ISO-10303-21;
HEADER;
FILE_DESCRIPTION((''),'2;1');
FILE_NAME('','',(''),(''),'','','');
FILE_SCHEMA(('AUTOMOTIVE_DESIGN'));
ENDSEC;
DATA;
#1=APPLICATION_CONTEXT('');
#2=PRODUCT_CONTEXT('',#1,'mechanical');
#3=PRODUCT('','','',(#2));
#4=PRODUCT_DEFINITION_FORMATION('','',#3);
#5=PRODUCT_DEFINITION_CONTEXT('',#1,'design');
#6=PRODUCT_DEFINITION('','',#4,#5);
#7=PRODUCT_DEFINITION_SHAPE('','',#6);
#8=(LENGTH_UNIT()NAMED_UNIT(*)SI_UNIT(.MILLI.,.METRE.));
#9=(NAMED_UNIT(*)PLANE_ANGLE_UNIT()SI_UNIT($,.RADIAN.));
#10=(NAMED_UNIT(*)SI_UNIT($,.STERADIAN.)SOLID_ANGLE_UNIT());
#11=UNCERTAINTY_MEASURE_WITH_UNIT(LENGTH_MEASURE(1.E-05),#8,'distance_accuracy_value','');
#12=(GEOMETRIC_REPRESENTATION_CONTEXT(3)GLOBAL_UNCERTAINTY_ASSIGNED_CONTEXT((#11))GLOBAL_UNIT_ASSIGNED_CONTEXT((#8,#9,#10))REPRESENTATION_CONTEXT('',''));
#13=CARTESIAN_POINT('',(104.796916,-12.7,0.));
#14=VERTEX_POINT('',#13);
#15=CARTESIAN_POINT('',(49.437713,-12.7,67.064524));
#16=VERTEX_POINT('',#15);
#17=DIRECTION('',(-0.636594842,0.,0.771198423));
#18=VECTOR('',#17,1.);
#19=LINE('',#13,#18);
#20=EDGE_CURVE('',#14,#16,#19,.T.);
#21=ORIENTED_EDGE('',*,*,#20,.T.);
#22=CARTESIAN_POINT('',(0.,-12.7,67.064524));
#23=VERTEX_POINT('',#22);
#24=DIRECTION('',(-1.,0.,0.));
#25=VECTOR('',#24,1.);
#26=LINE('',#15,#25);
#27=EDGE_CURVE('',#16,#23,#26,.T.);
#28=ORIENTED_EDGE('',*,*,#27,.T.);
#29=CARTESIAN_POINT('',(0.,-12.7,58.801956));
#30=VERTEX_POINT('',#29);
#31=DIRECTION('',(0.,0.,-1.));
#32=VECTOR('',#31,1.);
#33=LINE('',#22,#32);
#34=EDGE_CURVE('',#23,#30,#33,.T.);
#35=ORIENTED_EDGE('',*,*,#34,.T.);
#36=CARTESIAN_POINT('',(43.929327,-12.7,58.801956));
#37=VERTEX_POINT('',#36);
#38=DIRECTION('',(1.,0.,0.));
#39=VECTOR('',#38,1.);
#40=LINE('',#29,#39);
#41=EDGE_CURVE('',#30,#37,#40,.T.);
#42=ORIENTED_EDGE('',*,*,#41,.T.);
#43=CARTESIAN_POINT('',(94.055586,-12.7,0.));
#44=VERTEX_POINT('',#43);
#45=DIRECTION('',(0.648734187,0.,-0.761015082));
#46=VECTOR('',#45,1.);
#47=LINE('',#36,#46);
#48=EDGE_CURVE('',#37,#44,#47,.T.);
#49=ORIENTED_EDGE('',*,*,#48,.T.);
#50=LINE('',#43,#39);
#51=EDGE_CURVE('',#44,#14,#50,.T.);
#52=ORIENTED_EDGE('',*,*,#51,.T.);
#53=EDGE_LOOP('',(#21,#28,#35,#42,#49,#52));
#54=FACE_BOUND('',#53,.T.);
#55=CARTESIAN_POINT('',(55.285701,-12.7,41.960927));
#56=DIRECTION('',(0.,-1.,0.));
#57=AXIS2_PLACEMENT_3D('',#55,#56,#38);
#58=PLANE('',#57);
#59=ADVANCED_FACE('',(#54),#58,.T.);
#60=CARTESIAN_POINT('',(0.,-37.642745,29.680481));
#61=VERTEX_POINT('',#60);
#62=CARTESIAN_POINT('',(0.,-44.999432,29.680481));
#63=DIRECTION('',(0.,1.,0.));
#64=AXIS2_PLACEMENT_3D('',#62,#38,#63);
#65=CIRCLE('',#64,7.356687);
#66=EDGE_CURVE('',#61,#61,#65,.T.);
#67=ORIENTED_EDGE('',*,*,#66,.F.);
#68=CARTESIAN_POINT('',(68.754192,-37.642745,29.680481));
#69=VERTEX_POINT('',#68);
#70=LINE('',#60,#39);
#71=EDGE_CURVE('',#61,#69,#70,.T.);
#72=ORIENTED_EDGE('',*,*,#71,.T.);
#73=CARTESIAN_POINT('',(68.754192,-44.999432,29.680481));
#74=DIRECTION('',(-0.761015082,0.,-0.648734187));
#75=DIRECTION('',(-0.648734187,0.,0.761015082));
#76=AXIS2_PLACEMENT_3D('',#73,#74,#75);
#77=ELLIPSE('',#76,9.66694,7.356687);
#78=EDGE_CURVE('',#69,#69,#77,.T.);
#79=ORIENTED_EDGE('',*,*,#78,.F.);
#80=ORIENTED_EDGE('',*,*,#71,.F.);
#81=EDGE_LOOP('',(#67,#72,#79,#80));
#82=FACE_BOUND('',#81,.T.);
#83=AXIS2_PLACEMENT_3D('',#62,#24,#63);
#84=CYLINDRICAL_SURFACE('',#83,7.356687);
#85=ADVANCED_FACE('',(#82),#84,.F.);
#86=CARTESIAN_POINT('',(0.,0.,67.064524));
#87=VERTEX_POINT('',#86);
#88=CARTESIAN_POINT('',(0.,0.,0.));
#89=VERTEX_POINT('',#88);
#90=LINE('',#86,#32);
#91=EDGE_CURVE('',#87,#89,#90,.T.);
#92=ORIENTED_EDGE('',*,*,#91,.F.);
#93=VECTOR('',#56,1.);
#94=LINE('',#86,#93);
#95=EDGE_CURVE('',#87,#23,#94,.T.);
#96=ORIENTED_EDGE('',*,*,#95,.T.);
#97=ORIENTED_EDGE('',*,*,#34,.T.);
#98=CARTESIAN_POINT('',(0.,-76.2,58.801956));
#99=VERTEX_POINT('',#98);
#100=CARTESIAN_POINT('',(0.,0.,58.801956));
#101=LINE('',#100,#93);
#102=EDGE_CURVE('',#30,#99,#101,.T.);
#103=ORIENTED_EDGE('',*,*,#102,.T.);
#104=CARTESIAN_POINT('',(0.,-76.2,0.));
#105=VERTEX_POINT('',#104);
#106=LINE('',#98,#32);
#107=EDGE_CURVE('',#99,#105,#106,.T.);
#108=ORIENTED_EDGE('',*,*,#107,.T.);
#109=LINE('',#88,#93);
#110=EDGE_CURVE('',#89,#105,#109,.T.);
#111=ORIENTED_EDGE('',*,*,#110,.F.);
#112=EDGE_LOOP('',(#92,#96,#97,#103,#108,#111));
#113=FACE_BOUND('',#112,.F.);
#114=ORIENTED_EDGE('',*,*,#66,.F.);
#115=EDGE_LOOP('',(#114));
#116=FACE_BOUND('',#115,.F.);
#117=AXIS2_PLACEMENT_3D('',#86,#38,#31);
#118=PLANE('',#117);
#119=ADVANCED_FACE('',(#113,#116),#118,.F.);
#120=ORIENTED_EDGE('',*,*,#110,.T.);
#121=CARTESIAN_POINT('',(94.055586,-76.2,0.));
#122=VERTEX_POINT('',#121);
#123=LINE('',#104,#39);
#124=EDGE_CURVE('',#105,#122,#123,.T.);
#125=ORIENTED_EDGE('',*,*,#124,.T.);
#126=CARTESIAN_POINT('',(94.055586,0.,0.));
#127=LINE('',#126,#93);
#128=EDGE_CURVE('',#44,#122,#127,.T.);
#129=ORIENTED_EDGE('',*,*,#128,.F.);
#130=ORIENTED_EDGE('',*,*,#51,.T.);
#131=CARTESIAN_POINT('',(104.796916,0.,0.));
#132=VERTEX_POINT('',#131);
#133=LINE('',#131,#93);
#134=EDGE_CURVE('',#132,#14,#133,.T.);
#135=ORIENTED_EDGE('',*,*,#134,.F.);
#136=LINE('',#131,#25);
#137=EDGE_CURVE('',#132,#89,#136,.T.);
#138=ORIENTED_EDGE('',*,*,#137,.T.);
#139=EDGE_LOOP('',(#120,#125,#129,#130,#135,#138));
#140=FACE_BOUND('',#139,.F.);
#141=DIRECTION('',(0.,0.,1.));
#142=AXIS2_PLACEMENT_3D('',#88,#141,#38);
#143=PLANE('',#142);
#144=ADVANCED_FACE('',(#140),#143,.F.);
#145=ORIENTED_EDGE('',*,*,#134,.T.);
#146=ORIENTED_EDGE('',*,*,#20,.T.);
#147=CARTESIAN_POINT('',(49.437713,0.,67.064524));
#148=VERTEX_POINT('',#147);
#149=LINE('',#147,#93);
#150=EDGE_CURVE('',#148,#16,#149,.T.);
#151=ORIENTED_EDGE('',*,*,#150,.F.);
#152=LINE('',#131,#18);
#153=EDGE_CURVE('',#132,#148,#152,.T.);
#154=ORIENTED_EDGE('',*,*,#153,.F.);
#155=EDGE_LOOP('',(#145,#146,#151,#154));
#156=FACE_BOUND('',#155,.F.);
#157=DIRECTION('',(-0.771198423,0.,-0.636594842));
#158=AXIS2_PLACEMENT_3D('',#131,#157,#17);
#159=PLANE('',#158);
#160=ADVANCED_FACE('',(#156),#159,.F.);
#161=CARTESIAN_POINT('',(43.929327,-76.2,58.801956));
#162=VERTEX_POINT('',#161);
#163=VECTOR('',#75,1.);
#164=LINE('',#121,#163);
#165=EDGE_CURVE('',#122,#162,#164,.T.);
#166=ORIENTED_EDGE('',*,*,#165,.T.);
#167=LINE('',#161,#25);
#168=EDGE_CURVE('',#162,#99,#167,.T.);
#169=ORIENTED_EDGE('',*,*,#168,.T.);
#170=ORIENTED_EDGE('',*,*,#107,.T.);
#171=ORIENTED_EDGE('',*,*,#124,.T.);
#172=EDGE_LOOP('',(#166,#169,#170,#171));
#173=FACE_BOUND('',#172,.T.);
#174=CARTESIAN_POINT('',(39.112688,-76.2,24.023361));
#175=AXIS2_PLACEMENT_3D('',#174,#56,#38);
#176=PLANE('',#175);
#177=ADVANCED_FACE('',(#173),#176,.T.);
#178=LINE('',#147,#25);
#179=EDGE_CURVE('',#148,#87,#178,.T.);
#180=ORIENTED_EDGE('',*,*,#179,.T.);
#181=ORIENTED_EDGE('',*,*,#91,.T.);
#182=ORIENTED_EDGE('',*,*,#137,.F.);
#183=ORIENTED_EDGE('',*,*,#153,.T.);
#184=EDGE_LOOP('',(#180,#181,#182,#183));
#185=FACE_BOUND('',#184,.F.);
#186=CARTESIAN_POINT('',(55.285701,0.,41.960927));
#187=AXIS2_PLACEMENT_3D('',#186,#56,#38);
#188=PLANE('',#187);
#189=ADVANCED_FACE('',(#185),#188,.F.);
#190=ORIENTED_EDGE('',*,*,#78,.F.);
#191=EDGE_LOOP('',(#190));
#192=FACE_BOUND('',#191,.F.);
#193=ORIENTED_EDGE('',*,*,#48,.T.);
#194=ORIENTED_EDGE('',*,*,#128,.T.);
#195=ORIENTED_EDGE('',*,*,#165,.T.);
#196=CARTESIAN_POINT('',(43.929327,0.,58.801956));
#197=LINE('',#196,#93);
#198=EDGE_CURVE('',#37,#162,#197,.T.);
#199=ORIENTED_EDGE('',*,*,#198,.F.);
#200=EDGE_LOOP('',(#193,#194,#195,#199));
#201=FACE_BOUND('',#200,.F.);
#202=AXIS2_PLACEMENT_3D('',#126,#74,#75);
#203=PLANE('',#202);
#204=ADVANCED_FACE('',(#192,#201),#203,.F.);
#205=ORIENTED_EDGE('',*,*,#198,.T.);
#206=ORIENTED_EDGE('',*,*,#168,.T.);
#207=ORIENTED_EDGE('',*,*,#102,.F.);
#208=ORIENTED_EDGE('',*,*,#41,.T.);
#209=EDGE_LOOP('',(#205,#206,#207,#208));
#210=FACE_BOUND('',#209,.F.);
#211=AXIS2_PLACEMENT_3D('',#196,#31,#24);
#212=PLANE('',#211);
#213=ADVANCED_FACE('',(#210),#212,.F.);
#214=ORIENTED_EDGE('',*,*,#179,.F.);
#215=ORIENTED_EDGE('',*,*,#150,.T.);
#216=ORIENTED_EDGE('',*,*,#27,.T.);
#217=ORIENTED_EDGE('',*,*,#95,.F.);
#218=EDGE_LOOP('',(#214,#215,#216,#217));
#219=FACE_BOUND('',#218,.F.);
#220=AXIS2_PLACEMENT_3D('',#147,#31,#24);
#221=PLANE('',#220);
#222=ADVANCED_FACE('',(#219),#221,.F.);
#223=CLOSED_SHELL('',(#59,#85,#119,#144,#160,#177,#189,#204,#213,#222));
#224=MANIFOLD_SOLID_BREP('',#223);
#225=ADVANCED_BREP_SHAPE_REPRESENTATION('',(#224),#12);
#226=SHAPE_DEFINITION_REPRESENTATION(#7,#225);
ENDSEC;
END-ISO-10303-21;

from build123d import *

# Parameters (mm, degrees)
F1_DEPTH = 76.2
F2_DEPTH = 12.7
F3_R     = 7.356687
F4_DEPTH = 104.797916


with BuildPart() as f1:
    # F0 (on Front) → F1 (new body)
    with BuildSketch(Plane.XZ):
        Polygon((0, 58.801956), (0, 0), (94.055586, 0), (43.929327, 58.801956), align=None)
    extrude(amount=F1_DEPTH)

    # F0 (on Front) → F2 (join)
    with BuildSketch(Plane.XZ):
        Polygon((0, 67.064524), (0, 58.801956), (43.929327, 58.801956), (94.055586, 0), (104.796916, 0), (49.437713, 67.064524), align=None)
    extrude(amount=F2_DEPTH)

    # F3 (on Right) → F4 (cut, through all)
    with BuildSketch(Plane.YZ):
        with Locations((-44.999432, 29.680481)):
            Circle(F3_R)
    extrude(amount=F4_DEPTH, mode=Mode.SUBTRACT)


solid = f1.part
